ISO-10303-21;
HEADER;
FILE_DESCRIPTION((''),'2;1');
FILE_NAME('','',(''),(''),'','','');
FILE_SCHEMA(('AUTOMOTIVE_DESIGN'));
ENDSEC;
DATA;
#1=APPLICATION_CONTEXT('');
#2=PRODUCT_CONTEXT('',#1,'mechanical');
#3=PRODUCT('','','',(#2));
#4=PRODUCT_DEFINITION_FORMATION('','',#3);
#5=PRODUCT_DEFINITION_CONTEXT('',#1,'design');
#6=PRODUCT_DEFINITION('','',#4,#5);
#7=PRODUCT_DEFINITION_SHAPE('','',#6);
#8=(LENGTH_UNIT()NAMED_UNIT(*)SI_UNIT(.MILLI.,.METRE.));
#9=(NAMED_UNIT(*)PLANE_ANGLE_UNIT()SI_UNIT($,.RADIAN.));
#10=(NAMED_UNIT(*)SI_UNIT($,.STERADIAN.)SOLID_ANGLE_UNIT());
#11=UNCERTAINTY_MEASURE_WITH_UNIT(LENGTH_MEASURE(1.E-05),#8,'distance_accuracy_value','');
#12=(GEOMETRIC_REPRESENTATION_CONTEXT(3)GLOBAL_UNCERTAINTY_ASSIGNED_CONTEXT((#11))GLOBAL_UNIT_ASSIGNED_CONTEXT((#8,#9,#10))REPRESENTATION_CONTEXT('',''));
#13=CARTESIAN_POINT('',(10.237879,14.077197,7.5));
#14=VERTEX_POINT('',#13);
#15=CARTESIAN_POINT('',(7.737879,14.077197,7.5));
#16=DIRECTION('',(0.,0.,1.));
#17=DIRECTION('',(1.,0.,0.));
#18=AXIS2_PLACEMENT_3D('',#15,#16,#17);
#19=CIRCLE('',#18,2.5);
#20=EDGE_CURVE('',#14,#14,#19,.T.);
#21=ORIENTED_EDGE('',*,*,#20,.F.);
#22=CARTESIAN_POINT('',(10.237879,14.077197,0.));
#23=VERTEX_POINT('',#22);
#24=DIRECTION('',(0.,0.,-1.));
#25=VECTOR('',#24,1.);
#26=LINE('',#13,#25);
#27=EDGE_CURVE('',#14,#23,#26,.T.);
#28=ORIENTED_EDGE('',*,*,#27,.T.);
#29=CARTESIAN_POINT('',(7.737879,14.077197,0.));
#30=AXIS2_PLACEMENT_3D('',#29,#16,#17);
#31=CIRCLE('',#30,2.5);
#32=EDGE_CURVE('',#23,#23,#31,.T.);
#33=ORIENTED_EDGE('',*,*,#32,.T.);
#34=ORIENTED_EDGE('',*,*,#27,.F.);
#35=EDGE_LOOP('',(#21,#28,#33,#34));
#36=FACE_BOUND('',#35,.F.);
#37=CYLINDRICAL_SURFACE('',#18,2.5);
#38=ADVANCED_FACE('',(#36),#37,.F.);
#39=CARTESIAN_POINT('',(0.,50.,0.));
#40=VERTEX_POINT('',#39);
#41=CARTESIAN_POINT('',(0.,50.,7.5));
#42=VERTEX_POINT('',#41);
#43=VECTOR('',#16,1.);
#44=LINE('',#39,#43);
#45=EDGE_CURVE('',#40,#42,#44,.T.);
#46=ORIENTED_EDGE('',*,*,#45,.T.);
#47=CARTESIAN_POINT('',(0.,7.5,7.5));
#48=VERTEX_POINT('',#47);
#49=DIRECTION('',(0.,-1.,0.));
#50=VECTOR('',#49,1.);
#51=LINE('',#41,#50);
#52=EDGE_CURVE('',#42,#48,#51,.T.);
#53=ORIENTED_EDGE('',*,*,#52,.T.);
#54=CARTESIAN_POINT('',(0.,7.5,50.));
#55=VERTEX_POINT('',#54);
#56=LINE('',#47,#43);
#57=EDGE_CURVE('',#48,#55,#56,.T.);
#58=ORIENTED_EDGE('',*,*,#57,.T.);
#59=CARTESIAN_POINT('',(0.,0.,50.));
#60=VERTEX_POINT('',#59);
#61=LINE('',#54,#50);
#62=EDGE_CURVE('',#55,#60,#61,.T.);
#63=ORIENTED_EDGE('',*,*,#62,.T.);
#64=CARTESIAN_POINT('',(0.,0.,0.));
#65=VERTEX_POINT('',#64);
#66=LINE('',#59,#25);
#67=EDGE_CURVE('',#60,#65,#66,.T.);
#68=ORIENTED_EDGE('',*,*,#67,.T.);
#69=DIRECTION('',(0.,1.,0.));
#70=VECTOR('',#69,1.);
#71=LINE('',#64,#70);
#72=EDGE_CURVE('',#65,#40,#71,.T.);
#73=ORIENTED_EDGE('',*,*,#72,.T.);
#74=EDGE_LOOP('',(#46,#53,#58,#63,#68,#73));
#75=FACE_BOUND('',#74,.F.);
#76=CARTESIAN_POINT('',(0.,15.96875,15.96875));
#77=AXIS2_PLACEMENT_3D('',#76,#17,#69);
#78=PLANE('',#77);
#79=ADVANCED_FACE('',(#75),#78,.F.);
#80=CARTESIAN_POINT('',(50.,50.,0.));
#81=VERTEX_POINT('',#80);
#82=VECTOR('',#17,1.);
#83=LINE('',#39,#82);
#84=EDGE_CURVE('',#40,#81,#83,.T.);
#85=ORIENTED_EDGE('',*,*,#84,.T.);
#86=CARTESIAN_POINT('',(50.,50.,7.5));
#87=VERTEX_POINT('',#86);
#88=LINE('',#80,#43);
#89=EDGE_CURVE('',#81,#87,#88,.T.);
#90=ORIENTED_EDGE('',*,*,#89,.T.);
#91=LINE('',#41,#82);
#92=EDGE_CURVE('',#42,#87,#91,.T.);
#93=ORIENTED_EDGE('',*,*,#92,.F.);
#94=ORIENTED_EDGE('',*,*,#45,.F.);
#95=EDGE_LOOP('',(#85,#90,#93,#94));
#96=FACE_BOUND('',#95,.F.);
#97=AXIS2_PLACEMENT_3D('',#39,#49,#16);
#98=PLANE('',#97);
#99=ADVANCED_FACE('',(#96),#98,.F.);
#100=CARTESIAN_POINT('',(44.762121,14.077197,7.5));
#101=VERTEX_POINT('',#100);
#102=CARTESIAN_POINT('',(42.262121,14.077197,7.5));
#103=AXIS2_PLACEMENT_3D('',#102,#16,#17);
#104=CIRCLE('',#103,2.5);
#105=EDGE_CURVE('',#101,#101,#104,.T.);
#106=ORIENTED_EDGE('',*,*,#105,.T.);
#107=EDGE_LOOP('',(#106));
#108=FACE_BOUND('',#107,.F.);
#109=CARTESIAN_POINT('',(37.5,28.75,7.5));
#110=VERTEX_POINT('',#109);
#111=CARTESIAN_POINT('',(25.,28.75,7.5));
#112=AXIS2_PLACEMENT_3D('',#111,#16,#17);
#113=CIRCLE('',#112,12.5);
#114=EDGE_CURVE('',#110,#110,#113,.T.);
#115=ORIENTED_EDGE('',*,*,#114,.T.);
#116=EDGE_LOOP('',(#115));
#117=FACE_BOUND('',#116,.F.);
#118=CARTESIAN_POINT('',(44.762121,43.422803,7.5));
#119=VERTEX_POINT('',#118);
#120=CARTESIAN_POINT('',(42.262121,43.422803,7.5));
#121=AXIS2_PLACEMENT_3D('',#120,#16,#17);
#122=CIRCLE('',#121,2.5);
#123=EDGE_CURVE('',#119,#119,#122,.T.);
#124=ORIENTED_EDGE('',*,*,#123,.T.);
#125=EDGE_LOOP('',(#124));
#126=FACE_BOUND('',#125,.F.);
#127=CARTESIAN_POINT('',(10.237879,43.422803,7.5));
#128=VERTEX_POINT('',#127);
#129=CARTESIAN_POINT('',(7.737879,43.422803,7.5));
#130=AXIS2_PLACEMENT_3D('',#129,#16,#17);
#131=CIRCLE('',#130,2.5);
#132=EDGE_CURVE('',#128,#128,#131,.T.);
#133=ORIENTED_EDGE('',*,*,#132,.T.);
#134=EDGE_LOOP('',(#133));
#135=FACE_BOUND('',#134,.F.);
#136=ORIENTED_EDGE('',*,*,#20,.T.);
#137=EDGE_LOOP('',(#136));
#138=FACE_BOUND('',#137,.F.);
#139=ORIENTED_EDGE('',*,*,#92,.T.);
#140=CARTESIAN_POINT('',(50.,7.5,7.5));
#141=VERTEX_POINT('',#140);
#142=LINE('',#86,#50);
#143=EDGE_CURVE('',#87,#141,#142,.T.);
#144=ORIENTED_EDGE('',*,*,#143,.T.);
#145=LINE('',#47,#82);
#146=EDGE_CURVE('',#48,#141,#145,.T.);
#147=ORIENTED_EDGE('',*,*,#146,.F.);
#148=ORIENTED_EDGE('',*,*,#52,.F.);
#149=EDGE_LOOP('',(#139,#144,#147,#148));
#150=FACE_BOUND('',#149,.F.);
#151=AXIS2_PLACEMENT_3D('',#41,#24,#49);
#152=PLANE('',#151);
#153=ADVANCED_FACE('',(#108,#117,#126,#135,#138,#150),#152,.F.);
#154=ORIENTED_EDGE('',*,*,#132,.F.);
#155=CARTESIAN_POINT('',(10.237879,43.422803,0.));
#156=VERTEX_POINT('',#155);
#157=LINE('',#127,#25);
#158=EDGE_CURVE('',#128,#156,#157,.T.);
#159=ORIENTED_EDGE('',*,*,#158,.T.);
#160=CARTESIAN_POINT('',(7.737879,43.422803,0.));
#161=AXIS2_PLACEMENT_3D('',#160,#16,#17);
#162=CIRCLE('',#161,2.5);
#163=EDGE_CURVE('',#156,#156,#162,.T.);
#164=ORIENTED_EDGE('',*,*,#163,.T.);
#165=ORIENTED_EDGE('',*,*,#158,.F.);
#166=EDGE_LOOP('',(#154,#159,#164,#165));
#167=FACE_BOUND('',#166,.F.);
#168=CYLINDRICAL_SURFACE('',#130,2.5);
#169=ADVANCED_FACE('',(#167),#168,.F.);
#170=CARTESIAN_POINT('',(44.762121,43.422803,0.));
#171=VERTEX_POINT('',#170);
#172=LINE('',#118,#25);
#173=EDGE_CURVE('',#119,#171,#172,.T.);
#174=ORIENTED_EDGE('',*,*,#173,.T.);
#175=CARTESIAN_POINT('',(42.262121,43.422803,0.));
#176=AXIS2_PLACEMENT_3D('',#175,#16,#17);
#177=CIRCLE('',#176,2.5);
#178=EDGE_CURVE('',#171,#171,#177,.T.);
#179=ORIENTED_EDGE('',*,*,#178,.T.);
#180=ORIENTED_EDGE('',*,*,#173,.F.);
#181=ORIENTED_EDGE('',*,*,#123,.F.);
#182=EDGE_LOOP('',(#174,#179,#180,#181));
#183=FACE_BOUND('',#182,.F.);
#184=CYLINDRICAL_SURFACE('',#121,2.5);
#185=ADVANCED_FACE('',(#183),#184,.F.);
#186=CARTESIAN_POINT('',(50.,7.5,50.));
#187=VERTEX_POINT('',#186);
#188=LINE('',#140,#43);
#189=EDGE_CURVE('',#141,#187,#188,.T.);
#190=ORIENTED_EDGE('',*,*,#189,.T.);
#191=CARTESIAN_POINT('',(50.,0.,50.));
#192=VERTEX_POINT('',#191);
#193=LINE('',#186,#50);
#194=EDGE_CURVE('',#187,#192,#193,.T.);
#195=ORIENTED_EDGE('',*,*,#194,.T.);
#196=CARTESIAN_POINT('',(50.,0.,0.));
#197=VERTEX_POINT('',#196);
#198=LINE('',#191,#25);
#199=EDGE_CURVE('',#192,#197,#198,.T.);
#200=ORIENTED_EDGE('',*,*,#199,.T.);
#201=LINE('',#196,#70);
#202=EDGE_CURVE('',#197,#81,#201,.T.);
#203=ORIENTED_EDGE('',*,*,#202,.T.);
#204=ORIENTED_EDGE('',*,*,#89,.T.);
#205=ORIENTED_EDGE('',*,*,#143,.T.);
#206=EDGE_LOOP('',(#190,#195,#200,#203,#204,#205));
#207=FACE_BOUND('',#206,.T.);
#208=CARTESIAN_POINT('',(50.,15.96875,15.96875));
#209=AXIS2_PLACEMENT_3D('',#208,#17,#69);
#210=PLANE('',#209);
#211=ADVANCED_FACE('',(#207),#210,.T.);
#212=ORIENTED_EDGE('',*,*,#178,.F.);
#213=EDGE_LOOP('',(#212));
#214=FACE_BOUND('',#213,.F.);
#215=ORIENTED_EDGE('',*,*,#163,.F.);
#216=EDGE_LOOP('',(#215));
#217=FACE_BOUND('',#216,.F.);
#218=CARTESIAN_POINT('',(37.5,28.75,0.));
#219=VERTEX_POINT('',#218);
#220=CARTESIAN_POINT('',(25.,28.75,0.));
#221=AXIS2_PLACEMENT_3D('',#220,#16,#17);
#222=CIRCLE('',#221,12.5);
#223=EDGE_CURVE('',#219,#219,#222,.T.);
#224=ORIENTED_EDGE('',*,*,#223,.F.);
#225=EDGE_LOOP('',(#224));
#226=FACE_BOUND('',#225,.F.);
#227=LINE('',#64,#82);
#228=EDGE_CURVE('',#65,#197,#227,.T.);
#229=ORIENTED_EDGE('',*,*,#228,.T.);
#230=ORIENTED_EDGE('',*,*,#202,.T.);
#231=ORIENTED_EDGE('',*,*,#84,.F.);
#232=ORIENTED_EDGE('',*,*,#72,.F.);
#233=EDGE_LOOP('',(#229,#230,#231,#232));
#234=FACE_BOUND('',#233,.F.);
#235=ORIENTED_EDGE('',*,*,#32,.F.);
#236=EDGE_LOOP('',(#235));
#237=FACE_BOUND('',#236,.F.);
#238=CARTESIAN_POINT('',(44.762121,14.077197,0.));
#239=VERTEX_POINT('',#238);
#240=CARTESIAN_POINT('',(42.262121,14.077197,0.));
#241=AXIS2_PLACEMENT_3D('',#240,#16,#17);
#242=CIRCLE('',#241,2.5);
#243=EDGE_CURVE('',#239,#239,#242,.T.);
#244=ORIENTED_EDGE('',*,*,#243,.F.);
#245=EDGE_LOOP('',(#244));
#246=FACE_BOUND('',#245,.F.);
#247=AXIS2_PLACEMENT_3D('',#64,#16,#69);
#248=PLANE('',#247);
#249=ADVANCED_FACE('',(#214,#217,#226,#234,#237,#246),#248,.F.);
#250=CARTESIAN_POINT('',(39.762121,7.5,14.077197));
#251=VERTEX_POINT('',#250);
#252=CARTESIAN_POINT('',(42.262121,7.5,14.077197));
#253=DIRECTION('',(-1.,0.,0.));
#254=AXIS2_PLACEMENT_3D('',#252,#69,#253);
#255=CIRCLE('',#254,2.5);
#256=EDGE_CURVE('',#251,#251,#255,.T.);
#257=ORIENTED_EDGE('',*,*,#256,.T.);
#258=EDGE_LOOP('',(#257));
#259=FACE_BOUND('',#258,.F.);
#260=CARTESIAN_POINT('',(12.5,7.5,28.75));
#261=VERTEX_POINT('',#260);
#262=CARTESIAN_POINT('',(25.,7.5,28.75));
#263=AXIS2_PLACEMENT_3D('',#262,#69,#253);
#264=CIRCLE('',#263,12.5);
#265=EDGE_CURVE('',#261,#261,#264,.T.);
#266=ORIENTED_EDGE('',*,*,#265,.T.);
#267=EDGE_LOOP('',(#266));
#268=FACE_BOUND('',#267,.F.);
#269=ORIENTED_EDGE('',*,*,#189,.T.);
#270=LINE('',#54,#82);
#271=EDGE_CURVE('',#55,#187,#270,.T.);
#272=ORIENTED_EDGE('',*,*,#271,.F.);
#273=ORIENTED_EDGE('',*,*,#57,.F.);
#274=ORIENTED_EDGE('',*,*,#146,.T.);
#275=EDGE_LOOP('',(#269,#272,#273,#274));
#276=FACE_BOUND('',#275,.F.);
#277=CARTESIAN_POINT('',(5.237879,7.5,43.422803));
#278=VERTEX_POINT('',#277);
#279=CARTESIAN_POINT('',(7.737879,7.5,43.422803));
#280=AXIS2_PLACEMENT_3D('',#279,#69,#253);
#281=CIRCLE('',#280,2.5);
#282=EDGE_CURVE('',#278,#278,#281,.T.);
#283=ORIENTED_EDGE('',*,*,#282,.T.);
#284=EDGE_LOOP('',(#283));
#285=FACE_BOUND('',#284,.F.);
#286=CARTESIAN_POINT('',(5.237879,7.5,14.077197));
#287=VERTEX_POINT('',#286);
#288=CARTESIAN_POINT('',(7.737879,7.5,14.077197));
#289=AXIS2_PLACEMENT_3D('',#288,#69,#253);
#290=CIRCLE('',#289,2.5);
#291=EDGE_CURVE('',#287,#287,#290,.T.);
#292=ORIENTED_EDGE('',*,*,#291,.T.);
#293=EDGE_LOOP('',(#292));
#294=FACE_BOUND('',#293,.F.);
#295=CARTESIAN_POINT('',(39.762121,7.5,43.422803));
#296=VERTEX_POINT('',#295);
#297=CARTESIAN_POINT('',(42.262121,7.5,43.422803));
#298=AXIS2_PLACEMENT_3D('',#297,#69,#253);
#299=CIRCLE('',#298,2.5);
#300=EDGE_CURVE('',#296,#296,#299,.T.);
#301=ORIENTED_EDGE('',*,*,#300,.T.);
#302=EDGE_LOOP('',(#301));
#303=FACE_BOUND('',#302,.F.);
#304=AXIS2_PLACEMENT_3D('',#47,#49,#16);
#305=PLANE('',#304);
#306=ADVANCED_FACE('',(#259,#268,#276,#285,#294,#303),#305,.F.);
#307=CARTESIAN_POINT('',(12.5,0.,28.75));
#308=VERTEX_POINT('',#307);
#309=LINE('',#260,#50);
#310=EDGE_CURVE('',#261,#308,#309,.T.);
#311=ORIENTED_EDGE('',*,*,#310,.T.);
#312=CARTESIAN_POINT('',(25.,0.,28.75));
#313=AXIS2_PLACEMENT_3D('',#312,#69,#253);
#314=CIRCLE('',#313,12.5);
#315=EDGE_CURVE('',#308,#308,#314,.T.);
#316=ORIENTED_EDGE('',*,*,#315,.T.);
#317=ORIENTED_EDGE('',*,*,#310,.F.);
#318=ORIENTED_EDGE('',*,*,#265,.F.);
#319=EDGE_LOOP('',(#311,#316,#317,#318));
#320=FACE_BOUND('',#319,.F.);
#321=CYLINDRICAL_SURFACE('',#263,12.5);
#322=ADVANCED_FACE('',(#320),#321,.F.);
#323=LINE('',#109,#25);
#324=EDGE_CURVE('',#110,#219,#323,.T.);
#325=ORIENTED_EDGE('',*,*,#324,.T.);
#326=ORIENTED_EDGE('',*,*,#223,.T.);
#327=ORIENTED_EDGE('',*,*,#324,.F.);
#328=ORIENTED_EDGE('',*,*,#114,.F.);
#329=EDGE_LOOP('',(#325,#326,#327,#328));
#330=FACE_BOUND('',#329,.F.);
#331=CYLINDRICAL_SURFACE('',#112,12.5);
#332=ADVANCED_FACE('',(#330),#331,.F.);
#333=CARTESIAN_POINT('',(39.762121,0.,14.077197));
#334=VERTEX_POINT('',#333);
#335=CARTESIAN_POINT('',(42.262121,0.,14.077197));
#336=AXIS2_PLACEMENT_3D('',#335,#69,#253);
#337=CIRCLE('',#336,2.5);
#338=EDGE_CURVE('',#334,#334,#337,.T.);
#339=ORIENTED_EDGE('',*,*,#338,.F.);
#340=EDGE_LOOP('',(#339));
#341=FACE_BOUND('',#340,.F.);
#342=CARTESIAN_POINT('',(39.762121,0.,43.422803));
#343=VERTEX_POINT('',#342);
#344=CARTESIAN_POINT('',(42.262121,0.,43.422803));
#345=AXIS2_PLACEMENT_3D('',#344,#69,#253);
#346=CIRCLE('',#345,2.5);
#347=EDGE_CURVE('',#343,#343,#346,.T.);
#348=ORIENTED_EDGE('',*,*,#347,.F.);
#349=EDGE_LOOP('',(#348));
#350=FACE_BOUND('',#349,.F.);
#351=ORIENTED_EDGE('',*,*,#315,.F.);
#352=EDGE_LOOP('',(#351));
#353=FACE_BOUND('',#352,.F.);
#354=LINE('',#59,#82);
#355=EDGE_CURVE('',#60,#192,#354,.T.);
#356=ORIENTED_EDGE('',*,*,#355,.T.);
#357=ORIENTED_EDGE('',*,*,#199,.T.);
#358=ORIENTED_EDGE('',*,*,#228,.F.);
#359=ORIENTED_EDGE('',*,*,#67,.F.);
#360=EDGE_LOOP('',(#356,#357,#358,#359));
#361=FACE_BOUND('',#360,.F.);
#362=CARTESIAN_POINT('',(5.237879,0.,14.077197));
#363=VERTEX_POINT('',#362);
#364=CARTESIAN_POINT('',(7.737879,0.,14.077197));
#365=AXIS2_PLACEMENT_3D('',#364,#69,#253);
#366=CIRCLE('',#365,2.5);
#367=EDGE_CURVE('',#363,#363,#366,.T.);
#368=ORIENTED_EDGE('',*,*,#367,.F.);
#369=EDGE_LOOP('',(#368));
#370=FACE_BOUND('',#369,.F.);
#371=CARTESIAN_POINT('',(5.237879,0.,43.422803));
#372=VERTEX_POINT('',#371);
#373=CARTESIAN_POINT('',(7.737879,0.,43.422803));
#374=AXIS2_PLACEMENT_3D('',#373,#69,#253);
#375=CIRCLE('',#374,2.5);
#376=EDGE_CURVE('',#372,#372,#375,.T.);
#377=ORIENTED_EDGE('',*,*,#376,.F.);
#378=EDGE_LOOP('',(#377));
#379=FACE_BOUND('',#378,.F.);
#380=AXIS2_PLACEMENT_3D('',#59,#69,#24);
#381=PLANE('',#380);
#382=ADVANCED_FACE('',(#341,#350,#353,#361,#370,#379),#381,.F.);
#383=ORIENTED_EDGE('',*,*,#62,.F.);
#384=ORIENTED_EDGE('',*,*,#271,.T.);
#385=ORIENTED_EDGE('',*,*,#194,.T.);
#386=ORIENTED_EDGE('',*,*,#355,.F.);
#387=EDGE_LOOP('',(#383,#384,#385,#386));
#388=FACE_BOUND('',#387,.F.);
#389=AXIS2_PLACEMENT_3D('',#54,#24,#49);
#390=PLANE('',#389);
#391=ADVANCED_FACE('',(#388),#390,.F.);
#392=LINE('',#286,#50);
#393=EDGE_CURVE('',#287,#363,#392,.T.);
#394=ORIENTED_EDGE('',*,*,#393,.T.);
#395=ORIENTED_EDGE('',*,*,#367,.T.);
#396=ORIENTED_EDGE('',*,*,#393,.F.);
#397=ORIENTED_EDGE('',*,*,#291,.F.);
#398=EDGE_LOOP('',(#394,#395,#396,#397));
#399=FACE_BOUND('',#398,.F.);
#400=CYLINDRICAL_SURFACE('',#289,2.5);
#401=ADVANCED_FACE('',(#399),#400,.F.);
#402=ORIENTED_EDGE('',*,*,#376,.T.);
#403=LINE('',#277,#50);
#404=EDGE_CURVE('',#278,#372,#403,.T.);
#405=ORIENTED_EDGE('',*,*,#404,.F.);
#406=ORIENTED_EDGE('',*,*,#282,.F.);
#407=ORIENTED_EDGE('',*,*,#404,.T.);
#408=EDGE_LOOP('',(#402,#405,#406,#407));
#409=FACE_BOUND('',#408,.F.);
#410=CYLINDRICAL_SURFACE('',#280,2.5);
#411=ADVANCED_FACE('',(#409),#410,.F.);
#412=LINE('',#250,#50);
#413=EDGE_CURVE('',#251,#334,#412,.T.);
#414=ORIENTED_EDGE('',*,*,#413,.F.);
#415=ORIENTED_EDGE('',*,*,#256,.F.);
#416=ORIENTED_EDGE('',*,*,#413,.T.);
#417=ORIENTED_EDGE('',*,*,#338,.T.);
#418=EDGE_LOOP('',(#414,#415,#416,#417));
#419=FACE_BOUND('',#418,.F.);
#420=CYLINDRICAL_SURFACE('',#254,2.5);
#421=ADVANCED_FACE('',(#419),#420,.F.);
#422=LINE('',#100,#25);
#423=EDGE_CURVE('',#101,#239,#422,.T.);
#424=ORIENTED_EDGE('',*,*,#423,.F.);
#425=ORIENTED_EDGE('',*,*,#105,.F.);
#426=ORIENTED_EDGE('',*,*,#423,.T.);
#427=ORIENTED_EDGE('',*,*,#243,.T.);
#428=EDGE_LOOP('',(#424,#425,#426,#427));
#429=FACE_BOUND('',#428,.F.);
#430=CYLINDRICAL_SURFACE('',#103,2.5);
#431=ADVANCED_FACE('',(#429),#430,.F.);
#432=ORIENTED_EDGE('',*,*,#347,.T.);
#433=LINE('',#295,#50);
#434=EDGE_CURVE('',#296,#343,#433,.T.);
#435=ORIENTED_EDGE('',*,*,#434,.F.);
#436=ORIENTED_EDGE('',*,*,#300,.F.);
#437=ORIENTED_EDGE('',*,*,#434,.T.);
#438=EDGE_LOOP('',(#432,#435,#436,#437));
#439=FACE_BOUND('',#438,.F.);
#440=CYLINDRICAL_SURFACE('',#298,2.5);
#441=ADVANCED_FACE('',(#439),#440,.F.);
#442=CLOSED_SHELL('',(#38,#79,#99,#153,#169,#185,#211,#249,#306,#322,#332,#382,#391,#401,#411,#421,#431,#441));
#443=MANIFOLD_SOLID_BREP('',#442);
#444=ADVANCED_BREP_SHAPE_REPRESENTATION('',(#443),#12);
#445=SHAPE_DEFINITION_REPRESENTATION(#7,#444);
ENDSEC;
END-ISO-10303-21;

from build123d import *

# Parameters (mm, degrees)
F1_DEPTH = 50
F2_R     = 12.5
F2_R_2   = 2.5
F3_DEPTH = 7.501
F4_R     = 12.5
F4_R_2   = 2.5
F5_DEPTH = 7.501


with BuildPart() as f1:
    # F0 (on Right) → F1 (new body)
    with BuildSketch(Plane.YZ):
        Polygon((7.5, 50), (0, 50), (0, 0), (50, 0), (50, 7.5), (7.5, 7.5), align=None)
    extrude(amount=F1_DEPTH)

    # F2 (on face) → F3 (cut, through all)
    with BuildSketch(Plane(origin=(0, 7.5, 0), x_dir=(-1, 0, 0), z_dir=(0, 1, 0))):
        with Locations((-25, 28.75)):
            Circle(F2_R)
        with Locations((-42.262121, 43.422803)):
            Circle(F2_R_2)
        with Locations((-7.737879, 43.422803)):
            Circle(F2_R_2)
        with Locations((-7.737879, 14.077197)):
            Circle(F2_R_2)
        with Locations((-42.262121, 14.077197)):
            Circle(F2_R_2)
    extrude(amount=-F3_DEPTH, mode=Mode.SUBTRACT)

    # F4 (on face) → F5 (cut, through all)
    with BuildSketch(Plane.XY.offset(7.5)):
        with Locations((25, 28.75)):
            Circle(F4_R)
        with Locations((7.737879, 43.422803)):
            Circle(F4_R_2)
        with Locations((42.262121, 43.422803)):
            Circle(F4_R_2)
        with Locations((42.262121, 14.077197)):
            Circle(F4_R_2)
        with Locations((7.737879, 14.077197)):
            Circle(F4_R_2)
    extrude(amount=-F5_DEPTH, mode=Mode.SUBTRACT)


solid = f1.part
